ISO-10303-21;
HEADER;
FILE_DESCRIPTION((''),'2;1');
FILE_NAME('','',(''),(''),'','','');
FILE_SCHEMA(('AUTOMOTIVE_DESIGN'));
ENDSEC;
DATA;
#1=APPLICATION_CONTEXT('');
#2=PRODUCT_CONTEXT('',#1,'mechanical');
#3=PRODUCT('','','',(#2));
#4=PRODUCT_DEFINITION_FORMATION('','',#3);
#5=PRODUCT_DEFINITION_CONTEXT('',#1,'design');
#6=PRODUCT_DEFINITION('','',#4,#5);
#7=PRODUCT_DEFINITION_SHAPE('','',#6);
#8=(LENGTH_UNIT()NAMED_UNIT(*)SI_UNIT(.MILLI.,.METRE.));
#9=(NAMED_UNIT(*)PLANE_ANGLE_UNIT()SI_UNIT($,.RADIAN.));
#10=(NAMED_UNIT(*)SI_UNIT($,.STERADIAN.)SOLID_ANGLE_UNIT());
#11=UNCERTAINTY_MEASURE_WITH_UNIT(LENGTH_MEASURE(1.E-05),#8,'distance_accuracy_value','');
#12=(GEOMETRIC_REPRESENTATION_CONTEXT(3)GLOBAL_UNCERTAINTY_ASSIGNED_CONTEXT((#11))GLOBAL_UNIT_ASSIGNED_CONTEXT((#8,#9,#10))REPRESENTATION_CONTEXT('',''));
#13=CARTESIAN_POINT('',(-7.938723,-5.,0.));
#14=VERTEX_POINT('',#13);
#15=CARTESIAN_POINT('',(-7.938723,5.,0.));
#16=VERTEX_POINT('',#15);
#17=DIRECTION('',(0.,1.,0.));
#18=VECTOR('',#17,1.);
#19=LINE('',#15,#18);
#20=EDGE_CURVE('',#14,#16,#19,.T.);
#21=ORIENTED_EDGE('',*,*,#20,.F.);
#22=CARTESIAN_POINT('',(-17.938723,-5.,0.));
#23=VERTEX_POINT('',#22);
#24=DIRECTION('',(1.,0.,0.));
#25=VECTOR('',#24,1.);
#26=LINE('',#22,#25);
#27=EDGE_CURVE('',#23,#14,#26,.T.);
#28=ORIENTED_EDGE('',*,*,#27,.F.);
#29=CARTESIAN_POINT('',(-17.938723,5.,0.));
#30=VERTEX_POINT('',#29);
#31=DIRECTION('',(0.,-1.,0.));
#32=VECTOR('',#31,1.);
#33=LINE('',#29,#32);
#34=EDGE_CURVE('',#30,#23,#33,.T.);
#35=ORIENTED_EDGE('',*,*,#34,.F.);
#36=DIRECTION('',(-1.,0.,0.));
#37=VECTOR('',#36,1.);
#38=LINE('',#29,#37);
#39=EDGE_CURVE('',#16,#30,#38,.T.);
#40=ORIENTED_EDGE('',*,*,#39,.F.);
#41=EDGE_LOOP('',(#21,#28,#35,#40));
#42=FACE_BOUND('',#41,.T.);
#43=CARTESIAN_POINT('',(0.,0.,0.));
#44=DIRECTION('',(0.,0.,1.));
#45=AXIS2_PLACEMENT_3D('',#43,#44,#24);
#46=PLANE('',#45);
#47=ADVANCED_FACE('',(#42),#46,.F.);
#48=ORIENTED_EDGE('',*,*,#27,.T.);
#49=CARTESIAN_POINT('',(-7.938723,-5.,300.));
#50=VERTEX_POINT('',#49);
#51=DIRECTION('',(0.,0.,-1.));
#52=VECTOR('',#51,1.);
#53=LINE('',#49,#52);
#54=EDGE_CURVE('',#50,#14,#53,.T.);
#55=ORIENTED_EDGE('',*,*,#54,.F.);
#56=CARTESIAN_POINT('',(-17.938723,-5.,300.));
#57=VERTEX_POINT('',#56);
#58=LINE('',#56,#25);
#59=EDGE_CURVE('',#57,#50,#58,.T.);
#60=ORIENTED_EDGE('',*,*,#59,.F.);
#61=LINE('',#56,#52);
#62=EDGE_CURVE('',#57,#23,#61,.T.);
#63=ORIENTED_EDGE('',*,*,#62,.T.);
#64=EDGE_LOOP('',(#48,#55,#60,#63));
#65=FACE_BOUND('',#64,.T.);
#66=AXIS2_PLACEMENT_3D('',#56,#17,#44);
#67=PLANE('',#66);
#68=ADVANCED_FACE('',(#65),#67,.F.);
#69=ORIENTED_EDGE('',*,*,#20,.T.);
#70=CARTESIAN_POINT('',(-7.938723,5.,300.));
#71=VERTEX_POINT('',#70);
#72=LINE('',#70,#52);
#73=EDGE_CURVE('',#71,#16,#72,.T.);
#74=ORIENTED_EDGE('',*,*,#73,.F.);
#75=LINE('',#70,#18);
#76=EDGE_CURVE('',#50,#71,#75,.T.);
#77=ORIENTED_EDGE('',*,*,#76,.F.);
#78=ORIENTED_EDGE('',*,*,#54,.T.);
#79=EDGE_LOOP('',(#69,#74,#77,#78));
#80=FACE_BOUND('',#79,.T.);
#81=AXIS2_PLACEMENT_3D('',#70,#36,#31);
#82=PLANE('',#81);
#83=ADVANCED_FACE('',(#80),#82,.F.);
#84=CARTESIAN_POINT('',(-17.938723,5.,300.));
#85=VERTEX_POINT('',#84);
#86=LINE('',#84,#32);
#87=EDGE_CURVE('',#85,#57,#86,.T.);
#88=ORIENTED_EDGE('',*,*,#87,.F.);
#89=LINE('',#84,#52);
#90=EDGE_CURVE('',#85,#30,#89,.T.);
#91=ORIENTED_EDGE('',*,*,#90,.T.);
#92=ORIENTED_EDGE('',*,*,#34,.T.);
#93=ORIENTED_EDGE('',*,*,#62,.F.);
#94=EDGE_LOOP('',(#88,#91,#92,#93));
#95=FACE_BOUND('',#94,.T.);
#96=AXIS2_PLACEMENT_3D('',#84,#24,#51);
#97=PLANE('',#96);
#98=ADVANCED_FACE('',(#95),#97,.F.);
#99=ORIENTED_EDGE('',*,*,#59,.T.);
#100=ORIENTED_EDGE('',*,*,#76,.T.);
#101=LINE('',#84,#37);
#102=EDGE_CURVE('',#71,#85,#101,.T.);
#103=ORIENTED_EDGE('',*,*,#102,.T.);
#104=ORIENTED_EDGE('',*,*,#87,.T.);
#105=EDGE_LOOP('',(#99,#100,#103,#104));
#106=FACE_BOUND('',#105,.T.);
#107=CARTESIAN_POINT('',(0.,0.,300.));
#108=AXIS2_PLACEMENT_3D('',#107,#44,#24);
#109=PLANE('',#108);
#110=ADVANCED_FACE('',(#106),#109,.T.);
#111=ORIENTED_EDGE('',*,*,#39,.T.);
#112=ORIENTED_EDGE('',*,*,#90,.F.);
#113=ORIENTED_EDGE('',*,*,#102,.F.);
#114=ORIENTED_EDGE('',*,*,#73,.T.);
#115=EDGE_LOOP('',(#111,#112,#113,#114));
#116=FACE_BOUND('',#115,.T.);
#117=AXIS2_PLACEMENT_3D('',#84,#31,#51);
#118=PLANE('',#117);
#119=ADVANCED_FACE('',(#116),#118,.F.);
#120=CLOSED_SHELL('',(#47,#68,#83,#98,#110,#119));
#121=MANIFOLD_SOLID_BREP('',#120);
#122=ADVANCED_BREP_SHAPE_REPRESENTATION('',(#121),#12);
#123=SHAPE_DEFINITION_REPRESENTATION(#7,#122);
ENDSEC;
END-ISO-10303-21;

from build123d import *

# Parameters (mm, degrees)
ESQUISSE1_W        = 10
ESQUISSE1_H        = 10
BOSS_EXTRU_1_DEPTH = 300


with BuildPart() as part:
    # Esquisse1 → Boss.-Extru.1 (new body)
    with BuildSketch(Plane.XY):
        with Locations((-12.938723206, 0)):
            Rectangle(ESQUISSE1_W, ESQUISSE1_H)
    extrude(amount=BOSS_EXTRU_1_DEPTH)


solid = part.part
